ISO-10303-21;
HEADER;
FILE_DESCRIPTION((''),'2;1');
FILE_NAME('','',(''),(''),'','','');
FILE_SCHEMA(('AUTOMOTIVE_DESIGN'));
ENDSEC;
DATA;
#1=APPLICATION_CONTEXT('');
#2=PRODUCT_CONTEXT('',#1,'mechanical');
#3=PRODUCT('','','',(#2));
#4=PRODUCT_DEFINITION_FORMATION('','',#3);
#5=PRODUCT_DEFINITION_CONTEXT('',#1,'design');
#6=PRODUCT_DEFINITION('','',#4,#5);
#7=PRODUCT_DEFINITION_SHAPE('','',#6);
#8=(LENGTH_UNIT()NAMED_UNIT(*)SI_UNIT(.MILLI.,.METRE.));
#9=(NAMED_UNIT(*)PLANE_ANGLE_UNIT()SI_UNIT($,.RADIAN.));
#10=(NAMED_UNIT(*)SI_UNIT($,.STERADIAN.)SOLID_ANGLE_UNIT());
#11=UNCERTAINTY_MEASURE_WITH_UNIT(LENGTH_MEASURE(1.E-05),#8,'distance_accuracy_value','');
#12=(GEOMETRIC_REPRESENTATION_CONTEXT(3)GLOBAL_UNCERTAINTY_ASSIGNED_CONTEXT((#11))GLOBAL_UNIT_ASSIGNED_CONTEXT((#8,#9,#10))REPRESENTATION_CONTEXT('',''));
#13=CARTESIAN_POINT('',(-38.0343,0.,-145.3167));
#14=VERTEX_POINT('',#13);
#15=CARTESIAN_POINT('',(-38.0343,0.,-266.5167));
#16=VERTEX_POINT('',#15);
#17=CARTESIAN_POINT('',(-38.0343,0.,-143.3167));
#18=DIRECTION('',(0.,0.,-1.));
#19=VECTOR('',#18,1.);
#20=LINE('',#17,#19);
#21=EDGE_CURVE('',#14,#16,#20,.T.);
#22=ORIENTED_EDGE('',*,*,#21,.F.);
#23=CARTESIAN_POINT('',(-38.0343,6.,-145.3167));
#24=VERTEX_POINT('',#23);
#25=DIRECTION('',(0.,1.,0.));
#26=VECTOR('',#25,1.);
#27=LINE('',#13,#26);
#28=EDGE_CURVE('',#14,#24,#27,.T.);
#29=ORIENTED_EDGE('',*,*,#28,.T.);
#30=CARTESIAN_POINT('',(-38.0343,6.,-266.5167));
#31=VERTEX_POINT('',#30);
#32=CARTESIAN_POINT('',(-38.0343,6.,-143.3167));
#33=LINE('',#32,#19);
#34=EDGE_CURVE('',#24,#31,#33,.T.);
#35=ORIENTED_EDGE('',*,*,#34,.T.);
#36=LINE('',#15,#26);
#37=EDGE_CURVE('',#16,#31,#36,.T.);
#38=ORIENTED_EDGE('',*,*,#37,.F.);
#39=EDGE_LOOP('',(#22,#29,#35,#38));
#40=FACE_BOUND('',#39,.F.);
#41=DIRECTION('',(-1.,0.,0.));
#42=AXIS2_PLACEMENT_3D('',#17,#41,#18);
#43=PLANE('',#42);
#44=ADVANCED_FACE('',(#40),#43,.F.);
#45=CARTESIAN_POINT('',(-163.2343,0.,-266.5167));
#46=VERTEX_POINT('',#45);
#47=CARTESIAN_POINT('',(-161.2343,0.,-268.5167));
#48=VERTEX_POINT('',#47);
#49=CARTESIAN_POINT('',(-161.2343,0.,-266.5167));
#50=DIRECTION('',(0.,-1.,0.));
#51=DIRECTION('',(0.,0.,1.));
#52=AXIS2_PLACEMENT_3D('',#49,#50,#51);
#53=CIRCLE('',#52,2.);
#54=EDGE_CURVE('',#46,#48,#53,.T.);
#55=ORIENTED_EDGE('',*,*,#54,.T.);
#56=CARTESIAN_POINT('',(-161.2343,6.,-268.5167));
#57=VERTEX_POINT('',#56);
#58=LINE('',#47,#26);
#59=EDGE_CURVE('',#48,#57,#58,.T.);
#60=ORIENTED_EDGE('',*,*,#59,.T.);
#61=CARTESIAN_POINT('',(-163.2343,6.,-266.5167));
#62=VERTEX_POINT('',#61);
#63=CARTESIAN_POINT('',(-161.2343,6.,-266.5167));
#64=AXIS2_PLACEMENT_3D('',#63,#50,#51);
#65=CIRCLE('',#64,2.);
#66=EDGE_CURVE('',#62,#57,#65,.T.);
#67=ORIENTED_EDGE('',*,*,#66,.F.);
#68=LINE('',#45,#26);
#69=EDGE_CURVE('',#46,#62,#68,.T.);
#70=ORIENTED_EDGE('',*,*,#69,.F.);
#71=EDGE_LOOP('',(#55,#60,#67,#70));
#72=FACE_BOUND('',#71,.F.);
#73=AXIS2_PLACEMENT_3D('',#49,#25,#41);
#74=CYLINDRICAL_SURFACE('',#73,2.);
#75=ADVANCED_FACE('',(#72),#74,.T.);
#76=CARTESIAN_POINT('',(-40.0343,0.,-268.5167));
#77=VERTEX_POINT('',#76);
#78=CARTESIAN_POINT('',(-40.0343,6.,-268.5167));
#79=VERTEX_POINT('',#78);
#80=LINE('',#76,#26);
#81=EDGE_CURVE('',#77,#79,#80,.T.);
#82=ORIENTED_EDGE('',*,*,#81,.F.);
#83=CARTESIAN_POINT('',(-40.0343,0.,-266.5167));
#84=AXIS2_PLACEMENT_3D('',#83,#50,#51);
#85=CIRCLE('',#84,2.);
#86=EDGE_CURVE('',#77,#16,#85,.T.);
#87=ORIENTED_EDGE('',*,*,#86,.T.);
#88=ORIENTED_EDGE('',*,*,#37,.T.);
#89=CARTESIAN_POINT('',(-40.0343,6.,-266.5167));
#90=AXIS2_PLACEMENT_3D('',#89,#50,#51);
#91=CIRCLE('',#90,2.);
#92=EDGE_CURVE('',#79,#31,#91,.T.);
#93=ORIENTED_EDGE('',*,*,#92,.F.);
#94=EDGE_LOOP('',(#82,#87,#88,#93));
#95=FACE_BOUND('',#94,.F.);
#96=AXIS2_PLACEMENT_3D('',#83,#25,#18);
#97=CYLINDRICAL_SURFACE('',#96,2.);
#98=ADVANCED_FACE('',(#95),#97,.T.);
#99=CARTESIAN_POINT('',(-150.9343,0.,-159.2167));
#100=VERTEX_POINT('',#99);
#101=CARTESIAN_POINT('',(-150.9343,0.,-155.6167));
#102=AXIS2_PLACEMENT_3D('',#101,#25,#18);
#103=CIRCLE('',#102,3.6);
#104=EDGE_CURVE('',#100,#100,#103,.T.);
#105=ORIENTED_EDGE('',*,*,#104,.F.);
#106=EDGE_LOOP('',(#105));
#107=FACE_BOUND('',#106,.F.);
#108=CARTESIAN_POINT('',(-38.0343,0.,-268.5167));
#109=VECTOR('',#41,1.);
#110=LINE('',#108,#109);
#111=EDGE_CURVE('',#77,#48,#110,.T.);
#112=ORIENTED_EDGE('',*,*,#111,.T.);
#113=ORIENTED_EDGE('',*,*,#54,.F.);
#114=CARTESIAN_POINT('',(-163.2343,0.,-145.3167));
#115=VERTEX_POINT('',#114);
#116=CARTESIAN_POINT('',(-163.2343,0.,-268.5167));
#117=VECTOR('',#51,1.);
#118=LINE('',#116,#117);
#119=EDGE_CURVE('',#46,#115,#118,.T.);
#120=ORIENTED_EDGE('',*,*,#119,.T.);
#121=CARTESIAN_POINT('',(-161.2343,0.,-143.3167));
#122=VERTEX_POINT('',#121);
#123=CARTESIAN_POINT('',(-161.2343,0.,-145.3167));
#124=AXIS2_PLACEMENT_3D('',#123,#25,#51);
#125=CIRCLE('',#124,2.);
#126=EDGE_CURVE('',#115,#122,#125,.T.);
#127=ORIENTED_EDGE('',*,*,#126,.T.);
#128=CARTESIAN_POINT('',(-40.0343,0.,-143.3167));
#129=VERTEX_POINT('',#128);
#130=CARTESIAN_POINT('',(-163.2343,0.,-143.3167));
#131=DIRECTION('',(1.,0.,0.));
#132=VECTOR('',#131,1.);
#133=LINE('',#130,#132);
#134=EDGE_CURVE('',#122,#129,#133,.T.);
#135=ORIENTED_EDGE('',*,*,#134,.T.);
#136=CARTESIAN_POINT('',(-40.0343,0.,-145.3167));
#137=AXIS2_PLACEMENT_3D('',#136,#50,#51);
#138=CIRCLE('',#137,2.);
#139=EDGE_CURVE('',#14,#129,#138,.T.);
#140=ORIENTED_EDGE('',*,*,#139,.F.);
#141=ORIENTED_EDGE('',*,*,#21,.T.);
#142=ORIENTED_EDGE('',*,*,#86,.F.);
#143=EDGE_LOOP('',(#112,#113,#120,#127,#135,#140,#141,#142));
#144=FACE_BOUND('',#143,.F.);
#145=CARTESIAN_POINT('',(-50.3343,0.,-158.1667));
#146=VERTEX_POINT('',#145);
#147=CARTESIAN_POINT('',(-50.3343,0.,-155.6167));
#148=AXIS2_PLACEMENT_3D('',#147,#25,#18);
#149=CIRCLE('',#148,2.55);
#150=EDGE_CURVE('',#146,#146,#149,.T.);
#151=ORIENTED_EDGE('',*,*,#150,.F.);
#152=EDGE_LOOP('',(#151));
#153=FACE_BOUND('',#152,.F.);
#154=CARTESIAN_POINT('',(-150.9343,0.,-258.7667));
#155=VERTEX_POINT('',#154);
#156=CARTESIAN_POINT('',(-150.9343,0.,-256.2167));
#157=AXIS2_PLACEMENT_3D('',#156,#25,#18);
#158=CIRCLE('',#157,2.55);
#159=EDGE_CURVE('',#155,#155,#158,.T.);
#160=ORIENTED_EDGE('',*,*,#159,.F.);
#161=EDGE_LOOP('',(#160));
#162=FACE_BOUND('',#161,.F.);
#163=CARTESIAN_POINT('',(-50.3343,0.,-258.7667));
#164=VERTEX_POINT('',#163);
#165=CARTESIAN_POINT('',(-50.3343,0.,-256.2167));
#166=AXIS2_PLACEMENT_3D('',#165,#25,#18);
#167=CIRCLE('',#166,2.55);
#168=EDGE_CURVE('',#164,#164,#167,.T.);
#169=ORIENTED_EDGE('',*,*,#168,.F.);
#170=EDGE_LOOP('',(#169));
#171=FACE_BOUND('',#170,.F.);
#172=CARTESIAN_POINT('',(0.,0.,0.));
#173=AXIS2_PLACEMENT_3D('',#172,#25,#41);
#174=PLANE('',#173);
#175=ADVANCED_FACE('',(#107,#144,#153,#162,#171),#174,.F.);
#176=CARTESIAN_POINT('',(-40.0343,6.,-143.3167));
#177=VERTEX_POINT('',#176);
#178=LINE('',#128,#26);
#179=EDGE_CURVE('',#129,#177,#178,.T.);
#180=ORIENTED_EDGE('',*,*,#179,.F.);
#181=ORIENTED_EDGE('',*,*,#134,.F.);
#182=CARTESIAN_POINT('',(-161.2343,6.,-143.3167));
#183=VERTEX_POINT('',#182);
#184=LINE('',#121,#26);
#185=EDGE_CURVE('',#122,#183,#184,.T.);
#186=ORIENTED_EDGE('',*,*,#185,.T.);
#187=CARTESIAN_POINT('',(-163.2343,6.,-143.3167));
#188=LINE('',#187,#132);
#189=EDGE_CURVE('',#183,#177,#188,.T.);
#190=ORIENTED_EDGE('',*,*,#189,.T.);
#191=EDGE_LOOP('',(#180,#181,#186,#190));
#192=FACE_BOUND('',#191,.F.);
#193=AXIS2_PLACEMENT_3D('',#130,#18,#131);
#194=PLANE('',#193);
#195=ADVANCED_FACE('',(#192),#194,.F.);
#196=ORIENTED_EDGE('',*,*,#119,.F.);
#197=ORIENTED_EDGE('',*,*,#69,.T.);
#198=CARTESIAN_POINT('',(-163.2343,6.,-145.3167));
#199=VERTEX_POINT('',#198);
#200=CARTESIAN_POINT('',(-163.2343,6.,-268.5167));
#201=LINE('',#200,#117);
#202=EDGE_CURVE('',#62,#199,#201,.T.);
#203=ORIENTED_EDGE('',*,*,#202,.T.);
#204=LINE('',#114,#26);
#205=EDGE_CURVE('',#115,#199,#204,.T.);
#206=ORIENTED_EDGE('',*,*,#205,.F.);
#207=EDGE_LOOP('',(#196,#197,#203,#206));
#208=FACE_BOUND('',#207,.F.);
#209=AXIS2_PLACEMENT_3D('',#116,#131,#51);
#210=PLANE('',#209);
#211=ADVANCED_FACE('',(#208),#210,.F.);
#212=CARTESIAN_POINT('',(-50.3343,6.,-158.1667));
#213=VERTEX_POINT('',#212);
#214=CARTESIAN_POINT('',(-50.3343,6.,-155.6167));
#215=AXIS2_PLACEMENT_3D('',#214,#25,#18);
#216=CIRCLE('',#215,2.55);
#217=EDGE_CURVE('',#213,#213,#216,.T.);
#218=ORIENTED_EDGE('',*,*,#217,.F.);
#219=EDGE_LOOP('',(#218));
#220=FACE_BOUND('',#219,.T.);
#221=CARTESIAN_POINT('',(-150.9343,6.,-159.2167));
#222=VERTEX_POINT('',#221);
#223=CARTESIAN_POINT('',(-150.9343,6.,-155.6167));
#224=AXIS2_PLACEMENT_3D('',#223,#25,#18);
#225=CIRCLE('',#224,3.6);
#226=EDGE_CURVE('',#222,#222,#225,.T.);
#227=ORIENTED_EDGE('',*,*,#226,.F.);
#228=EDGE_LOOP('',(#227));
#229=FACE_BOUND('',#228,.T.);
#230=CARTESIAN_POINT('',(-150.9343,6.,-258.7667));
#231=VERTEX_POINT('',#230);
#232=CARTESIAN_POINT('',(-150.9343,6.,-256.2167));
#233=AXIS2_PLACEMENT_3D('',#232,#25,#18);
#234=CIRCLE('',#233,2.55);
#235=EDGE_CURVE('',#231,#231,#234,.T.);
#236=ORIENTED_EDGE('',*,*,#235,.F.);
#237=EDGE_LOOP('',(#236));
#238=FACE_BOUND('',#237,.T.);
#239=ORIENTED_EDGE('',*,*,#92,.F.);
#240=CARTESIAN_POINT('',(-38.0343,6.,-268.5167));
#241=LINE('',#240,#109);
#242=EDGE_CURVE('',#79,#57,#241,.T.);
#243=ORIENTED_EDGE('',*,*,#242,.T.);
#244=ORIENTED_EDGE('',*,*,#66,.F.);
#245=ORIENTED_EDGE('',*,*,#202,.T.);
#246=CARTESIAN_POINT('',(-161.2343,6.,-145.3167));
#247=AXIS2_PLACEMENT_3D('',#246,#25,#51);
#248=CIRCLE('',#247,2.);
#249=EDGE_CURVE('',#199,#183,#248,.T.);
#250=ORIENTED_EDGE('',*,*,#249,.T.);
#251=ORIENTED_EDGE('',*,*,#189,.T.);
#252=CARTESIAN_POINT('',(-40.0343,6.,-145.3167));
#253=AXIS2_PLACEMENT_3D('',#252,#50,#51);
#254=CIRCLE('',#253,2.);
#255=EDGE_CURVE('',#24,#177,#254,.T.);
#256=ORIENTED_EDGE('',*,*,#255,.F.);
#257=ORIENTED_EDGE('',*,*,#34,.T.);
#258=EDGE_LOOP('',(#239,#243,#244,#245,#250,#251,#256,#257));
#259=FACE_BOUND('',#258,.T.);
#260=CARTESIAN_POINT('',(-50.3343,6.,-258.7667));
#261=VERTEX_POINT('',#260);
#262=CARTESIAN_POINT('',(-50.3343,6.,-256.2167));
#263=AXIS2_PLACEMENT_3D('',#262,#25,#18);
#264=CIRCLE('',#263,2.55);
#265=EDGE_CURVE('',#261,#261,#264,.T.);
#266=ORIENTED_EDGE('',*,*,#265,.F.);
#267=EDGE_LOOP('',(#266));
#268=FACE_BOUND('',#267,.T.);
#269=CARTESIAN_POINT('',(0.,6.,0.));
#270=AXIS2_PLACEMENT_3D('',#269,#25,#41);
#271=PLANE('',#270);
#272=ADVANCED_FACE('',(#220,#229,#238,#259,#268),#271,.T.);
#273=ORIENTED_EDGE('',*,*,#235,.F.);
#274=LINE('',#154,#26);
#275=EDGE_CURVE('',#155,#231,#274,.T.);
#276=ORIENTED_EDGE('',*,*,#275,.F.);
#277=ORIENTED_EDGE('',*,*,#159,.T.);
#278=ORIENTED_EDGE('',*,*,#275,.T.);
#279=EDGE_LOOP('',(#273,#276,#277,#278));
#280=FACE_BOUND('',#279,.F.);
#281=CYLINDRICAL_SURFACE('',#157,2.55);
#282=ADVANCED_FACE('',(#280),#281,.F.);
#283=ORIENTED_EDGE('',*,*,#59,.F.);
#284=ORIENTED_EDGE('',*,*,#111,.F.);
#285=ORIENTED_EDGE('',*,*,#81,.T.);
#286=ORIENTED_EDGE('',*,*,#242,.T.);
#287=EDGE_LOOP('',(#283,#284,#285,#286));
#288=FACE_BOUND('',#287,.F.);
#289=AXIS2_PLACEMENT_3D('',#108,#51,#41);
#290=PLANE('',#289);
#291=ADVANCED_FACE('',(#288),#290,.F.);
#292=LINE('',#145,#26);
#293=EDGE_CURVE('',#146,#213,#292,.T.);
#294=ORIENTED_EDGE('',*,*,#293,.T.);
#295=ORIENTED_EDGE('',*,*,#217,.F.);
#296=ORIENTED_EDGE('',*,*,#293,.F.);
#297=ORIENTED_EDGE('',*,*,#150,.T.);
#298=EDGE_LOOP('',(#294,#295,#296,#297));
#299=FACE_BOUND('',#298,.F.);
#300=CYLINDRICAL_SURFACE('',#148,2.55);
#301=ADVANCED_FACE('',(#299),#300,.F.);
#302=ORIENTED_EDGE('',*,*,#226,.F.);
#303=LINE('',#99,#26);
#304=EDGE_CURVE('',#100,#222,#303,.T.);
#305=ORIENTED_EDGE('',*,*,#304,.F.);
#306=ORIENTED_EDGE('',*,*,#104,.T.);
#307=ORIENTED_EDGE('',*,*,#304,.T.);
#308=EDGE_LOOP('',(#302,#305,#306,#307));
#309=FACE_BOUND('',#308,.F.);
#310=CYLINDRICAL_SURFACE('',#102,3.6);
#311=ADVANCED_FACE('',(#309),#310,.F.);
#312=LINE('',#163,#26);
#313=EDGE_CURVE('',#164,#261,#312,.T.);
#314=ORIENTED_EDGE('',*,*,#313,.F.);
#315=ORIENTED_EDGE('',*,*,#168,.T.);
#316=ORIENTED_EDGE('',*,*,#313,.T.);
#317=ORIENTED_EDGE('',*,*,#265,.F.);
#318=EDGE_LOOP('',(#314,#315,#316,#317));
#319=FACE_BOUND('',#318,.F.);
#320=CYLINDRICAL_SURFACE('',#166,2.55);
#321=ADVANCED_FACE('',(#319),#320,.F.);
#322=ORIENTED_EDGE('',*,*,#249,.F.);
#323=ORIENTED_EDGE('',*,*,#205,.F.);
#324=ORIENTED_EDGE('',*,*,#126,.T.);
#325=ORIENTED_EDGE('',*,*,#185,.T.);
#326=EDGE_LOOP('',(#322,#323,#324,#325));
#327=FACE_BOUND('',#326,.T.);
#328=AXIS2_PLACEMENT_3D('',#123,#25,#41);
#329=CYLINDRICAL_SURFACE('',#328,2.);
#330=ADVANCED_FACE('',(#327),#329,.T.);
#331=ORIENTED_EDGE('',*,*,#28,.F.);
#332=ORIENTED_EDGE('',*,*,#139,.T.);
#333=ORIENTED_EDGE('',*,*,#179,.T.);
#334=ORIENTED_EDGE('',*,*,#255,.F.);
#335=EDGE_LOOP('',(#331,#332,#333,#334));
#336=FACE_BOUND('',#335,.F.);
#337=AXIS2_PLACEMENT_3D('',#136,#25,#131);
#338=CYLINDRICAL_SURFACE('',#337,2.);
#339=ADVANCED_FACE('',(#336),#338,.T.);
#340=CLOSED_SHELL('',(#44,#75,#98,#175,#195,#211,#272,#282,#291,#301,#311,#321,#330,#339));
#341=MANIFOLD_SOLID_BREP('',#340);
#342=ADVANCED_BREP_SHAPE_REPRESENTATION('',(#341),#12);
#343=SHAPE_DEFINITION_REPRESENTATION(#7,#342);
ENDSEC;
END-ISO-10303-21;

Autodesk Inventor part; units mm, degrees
ref_plane "YZ Plane" through (0, 0, 0) normal (1, 0, 0) x (0, 1, 0)
ref_plane "XZ Plane" through (0, 0, 0) normal (0, 1, 0) x (-1, 0, 0)
ref_plane "XY Plane" through (0, 0, 0) normal (0, 0, 1) x (1, 0, 0)
sketch "Sketch1" plane through (0, 0, 0) normal (0, 1, 0) x (-1, 0, 0)
  line L0 (163.2343, -143.3167) -> (38.0343, -143.3167)
  line L1 (38.0343, -143.3167) -> (38.0343, -268.5167)
  line L2 (38.0343, -268.5167) -> (163.2343, -268.5167)
  line L3 (163.2343, -268.5167) -> (163.2343, -143.3167)
  line L4 (150.9343, -143.3167) -> (150.9343, -268.5167) construction
  line L5 (50.3343, -143.3167) -> (50.3343, -268.5167) construction
  line L6 (172.4431, -155.6167) -> (11.5351, -155.6167) construction
  line L7 (172.4431, -256.2167) -> (14.5022, -256.2167) construction
  point P0 (0, 0)
  point P1 (150.9343, -155.6167)
  point P2 (150.9343, -256.2167)
  point P3 (50.3343, -155.6167)
  point P4 (50.3343, -256.2167)
  dimension "d0" = 125.2
  dimension "d1" = 125.2
  dimension "d16" = 12.3
  dimension "d17" = 100.6
  dimension "d18" = 100.6
extrude "Extrusion1" add sketch "Sketch1" along normal blind 6
fillet "Fillet1" radius 2 4 edges at (-163.2343, 3, -268.5167) (-163.2343, 3, -143.3167) (-38.0343, 3, -143.3167) (-38.0343, 3, -268.5167)
hole "Hole1" at (-150.9343, 0, -256.2167) at (-50.3343, 0, -256.2167) at (-50.3343, 0, -155.6167) direction (0, 1, 0) diameter 5.1 end through all
hole "Hole2" at (-150.9343, 0, -155.6167) direction (0, 1, 0) diameter 7.2 end through all
properties part number "C beam gantry (small side y axis)" material "Aluminum 6061"
